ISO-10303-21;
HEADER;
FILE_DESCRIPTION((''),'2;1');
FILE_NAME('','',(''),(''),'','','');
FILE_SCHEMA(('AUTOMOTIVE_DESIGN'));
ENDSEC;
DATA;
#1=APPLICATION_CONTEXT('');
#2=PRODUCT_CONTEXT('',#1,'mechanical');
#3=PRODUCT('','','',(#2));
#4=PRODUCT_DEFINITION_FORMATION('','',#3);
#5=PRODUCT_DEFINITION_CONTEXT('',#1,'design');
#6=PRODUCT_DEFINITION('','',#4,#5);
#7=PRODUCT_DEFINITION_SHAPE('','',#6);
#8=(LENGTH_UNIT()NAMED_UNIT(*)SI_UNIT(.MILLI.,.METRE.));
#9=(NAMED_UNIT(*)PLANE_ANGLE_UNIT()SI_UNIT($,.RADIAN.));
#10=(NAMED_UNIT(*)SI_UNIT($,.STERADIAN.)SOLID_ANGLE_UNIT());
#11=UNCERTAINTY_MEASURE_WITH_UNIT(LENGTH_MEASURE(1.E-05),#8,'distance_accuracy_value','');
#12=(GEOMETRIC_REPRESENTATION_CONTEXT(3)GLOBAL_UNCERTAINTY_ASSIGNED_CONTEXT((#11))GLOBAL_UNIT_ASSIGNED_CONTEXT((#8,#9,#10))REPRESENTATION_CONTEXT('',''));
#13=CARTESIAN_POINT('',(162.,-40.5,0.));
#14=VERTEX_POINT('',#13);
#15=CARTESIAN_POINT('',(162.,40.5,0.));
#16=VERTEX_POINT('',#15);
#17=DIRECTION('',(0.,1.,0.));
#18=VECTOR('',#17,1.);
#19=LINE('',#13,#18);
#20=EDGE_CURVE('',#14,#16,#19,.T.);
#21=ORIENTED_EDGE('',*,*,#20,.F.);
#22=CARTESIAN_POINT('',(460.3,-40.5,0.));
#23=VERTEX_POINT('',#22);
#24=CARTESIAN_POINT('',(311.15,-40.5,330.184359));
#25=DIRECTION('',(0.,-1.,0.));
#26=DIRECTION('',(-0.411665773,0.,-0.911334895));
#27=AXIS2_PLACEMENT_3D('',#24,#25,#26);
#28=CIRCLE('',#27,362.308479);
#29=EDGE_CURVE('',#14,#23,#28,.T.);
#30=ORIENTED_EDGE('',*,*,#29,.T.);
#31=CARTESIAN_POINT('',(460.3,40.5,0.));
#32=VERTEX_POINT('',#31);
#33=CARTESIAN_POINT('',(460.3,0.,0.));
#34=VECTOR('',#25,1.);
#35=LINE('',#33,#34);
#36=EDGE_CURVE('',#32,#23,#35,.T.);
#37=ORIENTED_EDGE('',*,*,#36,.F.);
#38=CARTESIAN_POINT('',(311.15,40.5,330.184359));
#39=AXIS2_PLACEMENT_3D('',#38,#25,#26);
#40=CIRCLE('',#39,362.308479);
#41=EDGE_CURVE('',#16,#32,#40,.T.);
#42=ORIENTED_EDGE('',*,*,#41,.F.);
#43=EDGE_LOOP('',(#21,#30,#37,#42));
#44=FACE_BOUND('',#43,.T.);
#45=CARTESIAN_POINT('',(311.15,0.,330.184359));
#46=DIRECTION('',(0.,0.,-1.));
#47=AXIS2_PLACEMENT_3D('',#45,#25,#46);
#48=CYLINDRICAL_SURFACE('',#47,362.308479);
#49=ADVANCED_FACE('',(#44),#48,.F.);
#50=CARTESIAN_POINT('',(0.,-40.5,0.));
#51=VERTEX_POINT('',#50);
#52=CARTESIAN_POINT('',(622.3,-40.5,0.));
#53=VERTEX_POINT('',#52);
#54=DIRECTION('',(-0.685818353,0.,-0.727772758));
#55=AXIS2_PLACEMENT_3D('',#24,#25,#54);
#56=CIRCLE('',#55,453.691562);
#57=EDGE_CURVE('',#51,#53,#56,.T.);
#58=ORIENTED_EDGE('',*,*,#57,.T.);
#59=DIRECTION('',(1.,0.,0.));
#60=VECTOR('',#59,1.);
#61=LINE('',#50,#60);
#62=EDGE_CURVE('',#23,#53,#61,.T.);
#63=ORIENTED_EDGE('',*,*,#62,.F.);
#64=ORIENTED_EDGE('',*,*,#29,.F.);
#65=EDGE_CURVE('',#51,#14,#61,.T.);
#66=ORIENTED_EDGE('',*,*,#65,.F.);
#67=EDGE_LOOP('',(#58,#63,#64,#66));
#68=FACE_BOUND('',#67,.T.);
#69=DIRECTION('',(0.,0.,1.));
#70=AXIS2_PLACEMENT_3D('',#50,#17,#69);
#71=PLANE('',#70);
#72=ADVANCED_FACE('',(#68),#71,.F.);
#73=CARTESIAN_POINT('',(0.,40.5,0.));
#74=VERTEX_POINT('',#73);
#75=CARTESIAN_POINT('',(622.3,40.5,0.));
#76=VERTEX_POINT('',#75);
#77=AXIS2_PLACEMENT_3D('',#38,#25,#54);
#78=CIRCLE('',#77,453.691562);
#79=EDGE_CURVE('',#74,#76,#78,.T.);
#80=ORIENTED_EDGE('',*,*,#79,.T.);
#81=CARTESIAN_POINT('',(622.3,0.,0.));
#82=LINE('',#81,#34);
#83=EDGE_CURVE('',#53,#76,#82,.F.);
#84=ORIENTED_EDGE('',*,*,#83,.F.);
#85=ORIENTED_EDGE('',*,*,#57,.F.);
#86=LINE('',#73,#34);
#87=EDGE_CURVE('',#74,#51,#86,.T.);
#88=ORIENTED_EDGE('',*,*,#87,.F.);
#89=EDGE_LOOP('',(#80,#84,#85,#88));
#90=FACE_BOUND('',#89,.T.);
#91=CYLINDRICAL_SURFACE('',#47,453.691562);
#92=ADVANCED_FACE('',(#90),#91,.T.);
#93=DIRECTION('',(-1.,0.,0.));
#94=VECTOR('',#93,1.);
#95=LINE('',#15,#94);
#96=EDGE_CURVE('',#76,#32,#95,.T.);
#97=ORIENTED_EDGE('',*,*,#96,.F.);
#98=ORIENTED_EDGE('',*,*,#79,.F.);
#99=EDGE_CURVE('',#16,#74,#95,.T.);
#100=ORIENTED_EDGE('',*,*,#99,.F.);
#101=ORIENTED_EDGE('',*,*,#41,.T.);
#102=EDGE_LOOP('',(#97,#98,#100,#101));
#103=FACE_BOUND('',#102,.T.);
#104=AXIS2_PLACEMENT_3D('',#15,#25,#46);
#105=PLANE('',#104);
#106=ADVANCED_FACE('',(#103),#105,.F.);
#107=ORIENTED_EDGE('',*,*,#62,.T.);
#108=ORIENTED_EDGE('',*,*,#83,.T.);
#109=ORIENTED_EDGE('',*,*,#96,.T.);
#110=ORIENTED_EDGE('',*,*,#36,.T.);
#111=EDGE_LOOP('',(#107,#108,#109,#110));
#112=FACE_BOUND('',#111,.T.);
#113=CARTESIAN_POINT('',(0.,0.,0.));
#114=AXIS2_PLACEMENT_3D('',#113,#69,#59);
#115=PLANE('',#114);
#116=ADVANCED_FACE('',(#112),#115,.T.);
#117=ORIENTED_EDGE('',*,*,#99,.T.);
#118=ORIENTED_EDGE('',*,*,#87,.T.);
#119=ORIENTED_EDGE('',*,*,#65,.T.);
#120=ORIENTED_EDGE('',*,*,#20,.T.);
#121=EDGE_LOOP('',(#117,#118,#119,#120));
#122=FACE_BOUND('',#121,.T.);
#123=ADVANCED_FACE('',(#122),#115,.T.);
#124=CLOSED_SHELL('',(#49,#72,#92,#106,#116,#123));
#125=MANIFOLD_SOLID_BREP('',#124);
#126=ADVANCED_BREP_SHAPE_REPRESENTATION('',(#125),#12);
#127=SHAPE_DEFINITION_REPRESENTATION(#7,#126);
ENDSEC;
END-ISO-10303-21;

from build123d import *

# Parameters (mm, degrees)
SKETCH4_W          = 162
SKETCH4_H          = 81
SKETCH3_W          = 1325.375079923
SKETCH3_H          = 1989.116651683
CUT_EXTRUDE1_DEPTH = 341.499830867


with BuildPart() as part:
    # Sweep1: sweep along a curve in space
    with BuildLine() as sweep1_path:
        ThreePointArc((0, 0, 0), (426.052018636, 0, -108.716039096), (744.177847665, 0, 194.822190201))
    # Sketch4 → Sweep1 (sweep)
    with BuildSketch(Plane.XY):
        with Locations((81, 0)):
            Rectangle(SKETCH4_W, SKETCH4_H)
    sweep(path=sweep1_path.line)

    # Sketch3 → Cut-Extrude1 (cut, through all)
    with BuildSketch(Plane.XY):
        with Locations((416.341391421, -2.986328517)):
            Rectangle(SKETCH3_W, SKETCH3_H)
    extrude(amount=CUT_EXTRUDE1_DEPTH, mode=Mode.SUBTRACT)


solid = part.part
